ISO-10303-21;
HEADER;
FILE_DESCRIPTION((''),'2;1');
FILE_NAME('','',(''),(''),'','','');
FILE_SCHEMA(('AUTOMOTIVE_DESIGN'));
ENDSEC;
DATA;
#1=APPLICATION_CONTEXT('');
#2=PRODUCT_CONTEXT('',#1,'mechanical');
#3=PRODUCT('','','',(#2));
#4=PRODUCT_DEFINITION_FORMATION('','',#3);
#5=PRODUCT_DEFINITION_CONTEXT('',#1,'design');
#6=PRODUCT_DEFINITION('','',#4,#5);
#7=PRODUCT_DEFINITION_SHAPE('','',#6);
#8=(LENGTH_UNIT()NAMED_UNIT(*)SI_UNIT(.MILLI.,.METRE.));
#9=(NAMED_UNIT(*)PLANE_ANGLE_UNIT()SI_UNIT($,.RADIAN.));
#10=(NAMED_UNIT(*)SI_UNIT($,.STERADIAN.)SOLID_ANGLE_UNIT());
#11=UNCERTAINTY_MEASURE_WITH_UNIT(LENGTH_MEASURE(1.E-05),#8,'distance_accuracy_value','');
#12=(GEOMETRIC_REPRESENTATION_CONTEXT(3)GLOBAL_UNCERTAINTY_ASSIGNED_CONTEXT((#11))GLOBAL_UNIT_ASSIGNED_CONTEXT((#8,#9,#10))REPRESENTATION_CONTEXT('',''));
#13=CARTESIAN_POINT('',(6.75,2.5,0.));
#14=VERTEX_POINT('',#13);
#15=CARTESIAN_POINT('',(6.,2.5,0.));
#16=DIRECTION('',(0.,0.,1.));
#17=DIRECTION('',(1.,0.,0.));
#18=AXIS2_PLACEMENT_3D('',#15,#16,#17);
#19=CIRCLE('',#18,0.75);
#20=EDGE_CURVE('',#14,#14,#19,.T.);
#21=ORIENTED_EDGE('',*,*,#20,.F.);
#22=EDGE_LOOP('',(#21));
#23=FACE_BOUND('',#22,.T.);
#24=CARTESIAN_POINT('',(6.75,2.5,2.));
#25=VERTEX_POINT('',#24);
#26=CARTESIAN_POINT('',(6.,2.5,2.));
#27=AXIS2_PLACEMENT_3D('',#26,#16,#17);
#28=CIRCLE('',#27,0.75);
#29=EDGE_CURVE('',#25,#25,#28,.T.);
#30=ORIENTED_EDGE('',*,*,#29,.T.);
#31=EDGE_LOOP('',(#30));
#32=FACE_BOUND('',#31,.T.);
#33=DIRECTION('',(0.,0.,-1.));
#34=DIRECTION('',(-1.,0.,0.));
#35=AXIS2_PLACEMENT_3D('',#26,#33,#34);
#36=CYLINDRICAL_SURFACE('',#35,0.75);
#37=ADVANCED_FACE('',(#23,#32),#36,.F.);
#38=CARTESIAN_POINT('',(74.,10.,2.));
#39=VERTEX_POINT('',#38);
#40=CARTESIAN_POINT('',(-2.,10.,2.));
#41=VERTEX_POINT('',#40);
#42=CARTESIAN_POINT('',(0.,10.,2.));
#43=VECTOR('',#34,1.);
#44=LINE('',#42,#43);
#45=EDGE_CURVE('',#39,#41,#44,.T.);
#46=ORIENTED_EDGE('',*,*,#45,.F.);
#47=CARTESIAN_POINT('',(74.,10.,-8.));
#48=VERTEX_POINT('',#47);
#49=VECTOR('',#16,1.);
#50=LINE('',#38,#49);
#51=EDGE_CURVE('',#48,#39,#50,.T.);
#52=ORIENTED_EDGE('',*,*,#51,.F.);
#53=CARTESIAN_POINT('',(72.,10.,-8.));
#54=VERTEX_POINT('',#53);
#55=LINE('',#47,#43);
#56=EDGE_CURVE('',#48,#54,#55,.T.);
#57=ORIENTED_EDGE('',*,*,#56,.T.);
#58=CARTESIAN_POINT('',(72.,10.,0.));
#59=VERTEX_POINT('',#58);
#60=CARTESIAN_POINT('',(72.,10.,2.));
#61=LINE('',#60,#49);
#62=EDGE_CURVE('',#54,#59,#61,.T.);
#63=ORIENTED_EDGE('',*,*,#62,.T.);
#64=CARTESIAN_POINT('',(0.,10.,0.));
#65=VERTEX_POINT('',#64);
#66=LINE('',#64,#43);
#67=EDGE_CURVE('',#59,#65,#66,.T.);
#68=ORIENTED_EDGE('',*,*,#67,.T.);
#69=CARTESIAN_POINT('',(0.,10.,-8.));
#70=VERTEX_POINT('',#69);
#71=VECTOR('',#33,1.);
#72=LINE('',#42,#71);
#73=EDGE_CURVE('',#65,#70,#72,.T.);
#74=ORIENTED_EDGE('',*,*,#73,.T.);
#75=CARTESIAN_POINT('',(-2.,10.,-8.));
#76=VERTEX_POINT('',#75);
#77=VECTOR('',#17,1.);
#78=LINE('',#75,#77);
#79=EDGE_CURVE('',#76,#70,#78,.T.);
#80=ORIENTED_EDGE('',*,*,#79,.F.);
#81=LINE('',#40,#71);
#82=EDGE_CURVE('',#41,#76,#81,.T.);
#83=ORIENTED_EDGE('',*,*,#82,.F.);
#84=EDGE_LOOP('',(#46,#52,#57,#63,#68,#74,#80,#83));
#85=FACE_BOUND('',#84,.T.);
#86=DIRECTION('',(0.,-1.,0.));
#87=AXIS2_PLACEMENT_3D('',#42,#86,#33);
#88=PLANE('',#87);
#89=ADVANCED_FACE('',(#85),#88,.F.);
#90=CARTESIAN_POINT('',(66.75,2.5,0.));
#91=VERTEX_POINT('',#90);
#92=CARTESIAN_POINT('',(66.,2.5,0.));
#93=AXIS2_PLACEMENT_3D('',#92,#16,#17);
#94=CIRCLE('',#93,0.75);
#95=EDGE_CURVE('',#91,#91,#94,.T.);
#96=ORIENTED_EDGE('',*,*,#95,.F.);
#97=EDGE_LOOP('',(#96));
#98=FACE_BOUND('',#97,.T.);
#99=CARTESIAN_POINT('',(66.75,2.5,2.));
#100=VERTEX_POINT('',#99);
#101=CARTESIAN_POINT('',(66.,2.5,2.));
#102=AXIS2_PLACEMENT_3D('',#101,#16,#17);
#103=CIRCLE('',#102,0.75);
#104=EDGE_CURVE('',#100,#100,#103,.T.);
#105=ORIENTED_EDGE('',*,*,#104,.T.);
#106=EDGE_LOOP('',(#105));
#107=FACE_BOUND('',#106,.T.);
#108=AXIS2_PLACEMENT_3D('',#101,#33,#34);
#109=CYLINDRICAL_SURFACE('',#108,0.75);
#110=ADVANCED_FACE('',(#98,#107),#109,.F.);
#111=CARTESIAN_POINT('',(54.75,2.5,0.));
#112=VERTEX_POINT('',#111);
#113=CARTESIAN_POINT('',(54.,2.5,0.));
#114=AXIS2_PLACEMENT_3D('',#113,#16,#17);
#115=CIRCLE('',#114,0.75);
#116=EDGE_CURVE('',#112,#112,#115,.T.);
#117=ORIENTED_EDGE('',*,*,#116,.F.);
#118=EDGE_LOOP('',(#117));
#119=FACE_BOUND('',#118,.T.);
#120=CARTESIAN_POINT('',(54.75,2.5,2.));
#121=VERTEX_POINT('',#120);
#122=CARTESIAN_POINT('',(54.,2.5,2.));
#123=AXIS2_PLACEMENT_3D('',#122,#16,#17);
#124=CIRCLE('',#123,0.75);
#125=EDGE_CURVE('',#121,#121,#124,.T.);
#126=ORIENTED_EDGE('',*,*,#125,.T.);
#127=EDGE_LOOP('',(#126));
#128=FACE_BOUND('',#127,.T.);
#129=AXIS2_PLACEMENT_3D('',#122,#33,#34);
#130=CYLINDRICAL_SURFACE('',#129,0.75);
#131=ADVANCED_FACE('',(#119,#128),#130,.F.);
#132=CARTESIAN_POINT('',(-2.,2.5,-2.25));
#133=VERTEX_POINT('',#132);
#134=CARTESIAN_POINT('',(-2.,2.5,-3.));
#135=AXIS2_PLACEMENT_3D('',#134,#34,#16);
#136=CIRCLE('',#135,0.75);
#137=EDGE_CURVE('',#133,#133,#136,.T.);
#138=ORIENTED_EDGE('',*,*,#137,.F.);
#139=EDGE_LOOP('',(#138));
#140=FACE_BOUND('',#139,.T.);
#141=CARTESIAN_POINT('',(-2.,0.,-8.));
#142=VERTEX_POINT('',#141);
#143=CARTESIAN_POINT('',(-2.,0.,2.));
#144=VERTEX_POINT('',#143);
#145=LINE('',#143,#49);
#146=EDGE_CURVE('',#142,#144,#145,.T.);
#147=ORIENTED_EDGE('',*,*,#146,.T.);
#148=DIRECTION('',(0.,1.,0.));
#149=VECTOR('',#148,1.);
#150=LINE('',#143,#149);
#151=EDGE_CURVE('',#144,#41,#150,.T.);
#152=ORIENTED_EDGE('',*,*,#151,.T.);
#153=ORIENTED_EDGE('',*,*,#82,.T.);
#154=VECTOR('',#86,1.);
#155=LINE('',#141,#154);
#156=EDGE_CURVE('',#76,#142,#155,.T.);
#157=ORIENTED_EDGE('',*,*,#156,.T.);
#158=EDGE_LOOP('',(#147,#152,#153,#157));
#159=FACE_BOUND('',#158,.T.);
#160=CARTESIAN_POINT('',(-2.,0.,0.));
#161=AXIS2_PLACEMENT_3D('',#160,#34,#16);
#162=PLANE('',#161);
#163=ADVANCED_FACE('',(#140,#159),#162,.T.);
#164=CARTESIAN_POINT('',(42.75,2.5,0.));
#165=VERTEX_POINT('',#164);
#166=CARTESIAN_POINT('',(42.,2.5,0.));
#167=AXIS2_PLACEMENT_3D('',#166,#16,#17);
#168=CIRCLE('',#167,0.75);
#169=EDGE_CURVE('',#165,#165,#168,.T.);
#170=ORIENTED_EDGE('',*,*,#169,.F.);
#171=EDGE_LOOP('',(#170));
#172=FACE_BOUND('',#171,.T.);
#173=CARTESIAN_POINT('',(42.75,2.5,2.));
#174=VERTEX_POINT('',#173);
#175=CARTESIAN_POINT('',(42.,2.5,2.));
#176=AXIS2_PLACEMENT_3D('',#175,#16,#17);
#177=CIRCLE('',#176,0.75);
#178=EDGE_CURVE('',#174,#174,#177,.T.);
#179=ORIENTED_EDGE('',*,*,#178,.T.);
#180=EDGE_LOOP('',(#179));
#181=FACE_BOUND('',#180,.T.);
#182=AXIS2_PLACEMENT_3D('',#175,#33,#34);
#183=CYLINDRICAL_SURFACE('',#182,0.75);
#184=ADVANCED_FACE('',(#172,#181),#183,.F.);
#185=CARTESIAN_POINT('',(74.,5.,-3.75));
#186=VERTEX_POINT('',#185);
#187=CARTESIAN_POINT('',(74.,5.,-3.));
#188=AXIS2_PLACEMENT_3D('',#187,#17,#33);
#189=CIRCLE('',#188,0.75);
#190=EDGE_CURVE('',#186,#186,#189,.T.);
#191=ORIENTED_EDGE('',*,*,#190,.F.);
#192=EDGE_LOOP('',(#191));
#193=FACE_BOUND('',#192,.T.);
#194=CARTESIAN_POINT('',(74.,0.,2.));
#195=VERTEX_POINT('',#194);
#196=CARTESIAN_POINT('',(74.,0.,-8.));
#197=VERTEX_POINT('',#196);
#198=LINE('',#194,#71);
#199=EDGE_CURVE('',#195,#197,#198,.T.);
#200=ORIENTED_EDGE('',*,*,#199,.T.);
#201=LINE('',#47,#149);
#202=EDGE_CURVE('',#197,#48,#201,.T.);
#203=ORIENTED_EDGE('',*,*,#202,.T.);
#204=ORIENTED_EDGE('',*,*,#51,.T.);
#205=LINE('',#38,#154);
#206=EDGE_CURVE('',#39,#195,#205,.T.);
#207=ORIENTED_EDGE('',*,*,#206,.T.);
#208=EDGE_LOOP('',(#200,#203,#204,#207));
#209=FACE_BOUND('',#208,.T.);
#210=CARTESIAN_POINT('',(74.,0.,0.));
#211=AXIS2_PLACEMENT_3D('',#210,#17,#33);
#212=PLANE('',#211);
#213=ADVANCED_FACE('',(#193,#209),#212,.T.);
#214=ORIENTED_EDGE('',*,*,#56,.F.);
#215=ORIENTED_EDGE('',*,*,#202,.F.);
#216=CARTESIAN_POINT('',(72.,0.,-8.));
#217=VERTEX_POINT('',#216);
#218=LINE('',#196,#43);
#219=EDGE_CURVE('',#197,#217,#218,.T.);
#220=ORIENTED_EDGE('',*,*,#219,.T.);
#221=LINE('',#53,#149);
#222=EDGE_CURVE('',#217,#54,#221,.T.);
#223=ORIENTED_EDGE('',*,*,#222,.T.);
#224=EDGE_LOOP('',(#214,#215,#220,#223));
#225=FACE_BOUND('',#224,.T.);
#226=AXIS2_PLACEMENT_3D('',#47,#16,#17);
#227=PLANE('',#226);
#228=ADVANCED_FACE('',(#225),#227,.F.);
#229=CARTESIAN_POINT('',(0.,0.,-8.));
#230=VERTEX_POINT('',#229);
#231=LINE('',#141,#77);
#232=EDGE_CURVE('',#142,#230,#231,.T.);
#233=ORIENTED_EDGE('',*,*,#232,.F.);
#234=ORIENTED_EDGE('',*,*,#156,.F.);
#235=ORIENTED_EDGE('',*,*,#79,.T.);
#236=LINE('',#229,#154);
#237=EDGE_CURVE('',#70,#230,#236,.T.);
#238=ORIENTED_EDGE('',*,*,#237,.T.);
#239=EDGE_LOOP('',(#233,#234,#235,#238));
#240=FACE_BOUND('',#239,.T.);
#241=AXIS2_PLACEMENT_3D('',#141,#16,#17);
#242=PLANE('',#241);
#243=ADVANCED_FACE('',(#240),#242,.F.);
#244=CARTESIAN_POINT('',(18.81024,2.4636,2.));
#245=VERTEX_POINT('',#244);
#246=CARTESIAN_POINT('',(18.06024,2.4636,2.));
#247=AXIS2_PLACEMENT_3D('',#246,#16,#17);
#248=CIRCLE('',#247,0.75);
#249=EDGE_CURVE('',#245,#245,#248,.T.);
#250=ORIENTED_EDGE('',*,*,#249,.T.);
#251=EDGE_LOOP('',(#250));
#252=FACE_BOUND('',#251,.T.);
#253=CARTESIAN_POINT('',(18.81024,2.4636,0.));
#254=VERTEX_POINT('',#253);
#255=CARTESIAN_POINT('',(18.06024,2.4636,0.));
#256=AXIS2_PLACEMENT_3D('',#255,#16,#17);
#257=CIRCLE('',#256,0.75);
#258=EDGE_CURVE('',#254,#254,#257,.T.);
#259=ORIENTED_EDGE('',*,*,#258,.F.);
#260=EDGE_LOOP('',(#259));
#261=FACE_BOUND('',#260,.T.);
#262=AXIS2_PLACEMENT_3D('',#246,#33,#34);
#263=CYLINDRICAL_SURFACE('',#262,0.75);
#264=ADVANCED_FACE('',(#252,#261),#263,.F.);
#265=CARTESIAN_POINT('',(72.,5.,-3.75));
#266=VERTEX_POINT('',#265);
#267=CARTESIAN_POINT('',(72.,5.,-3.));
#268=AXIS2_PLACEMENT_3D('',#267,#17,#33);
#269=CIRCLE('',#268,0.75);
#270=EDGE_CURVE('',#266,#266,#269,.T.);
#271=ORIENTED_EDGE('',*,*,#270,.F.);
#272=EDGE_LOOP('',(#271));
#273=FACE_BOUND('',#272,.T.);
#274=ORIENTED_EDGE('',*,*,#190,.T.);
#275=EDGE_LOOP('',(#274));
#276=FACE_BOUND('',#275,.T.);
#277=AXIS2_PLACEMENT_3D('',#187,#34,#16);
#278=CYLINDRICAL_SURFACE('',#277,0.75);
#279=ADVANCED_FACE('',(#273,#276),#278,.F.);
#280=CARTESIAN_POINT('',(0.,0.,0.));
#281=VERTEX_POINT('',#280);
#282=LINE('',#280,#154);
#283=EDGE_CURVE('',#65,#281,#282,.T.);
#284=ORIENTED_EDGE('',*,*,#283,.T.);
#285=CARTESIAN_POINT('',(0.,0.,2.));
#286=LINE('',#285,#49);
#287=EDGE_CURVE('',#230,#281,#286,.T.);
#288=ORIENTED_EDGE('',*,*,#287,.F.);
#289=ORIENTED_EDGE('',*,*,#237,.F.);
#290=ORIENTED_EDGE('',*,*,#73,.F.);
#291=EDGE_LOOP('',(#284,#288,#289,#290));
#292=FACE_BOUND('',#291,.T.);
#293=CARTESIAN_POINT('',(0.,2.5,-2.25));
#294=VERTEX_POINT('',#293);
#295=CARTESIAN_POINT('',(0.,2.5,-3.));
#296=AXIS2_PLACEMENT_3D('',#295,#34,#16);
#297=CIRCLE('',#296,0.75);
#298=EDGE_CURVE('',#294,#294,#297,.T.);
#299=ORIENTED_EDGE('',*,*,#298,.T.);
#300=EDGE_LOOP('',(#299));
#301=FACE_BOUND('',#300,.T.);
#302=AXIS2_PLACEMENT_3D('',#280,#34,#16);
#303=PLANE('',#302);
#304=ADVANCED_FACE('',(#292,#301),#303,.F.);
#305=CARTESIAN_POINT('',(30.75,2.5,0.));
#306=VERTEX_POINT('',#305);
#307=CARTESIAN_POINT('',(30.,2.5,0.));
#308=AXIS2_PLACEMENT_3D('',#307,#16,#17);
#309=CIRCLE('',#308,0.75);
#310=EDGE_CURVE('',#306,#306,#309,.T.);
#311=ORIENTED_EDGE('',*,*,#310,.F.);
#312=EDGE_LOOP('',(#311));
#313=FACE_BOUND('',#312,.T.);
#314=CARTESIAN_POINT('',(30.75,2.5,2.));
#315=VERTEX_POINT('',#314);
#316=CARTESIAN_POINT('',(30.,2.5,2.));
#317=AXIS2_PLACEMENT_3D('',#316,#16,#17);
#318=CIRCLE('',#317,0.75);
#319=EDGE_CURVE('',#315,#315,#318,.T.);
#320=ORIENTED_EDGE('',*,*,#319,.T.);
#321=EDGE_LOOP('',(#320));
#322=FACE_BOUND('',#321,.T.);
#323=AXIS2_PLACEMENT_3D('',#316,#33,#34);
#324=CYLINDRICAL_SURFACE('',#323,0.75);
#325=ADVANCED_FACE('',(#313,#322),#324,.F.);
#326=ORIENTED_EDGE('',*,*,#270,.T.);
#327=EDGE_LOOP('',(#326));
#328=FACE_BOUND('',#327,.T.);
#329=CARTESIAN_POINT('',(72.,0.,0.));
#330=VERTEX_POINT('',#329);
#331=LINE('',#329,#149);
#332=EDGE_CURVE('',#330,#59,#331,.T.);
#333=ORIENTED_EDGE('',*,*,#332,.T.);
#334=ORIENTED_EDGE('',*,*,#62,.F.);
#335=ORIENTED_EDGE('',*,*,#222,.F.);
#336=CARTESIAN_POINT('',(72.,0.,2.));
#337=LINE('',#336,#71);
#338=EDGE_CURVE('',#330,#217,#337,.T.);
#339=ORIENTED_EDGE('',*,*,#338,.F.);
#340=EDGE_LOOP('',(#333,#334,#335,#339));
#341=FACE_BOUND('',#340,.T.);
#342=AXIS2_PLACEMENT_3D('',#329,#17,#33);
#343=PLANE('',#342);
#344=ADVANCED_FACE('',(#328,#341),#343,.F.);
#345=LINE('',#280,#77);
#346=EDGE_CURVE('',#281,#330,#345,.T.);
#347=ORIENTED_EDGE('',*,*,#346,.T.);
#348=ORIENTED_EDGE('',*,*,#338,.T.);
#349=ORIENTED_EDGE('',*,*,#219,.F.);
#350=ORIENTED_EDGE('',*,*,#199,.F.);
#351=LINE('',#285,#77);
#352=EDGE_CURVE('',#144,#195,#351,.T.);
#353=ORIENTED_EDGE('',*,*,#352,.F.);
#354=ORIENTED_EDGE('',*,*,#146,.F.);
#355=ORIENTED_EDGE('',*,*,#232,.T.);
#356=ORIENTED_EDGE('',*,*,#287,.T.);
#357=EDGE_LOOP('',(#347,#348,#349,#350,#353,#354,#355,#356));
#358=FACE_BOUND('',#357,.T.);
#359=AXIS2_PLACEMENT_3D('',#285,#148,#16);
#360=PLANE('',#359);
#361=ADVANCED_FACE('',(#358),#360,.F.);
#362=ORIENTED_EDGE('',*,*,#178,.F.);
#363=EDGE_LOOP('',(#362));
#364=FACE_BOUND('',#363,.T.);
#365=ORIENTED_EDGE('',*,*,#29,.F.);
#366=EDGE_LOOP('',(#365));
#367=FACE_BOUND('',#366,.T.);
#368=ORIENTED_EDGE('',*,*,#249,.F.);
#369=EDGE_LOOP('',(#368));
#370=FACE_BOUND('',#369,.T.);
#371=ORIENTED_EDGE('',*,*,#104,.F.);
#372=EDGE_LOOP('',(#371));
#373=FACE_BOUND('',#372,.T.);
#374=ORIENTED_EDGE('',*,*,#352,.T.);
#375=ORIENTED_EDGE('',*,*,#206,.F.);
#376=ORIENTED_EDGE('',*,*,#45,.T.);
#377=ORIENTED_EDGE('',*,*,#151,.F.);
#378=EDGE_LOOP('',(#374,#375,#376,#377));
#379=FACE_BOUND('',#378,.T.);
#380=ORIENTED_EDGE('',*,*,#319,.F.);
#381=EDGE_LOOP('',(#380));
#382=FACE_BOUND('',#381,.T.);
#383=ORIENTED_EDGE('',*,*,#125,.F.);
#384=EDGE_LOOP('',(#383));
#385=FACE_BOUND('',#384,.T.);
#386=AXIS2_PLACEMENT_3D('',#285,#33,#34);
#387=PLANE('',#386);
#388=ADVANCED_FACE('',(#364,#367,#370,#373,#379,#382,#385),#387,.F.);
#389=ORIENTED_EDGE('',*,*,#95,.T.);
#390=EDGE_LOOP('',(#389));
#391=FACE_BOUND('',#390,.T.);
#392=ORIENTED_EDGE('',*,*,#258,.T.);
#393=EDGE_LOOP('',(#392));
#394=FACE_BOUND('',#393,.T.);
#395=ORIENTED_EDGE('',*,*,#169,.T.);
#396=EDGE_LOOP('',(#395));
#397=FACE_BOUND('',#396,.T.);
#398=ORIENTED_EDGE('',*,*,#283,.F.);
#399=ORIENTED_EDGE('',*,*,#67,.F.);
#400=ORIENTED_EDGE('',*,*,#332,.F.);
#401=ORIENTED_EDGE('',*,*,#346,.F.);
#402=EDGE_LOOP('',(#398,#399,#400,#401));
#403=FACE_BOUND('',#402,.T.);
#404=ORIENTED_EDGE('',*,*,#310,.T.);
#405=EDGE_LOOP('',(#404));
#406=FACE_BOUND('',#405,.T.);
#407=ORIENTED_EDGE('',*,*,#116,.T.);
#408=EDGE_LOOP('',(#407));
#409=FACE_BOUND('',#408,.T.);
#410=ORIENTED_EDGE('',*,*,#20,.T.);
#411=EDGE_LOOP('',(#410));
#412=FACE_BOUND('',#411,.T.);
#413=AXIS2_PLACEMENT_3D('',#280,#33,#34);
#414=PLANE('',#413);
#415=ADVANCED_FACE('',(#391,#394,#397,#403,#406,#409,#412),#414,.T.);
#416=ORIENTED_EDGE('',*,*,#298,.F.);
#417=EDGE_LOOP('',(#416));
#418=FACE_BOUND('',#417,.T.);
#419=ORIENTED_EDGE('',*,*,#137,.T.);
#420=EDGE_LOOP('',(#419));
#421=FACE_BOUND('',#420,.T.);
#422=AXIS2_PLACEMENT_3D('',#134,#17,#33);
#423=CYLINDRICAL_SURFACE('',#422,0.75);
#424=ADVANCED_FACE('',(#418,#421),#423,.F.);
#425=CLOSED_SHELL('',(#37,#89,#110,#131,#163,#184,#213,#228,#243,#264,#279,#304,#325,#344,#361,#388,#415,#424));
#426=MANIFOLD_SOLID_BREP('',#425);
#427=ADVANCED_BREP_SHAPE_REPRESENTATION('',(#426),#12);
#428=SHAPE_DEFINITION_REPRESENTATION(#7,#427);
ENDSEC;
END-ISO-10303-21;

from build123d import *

# Parameters (mm, degrees)
SKETCH1_W           = 72
SKETCH1_H           = 10
BOSS_EXTRUDE1_DEPTH = 2
SKETCH3_R           = 0.75
CUT_EXTRUDE2_DEPTH  = 2
SKETCH4_W           = 10
SKETCH4_H           = 10
BOSS_EXTRUDE2_DEPTH = 2
SKETCH5_R           = 0.75
CUT_EXTRUDE4_DEPTH  = 2
SKETCH6_W           = 10
SKETCH6_H           = 10
BOSS_EXTRUDE3_DEPTH = 2
SKETCH7_R           = 0.75
CUT_EXTRUDE5_DEPTH  = 2


with BuildPart() as part:
    # Sketch1 → Boss-Extrude1 (new body)
    with BuildSketch(Plane.XY):
        with Locations((36, 5)):
            Rectangle(SKETCH1_W, SKETCH1_H)
    extrude(amount=BOSS_EXTRUDE1_DEPTH)

    # Sketch3 → Cut-Extrude2 (cut)
    with BuildSketch(Plane.XY):
        with Locations((42, 2.5)):
            Circle(SKETCH3_R)
        with Locations((54, 2.5)):
            Circle(SKETCH3_R)
        with Locations((66, 2.5)):
            Circle(SKETCH3_R)
        with Locations((30, 2.5)):
            Circle(SKETCH3_R)
        with Locations((18.06024044, 2.463599586)):
            Circle(SKETCH3_R)
        with Locations((6, 2.5)):
            Circle(SKETCH3_R)
    extrude(amount=CUT_EXTRUDE2_DEPTH, mode=Mode.SUBTRACT)

    # Sketch4 → Boss-Extrude2 (add)
    with BuildSketch(Plane(origin=(72, 0, 0), x_dir=(0, 0, -1), z_dir=(1, 0, 0))):
        with Locations((3, 5)):
            Rectangle(SKETCH4_W, SKETCH4_H)
    extrude(amount=BOSS_EXTRUDE2_DEPTH)

    # Sketch5 → Cut-Extrude4 (cut)
    with BuildSketch(Plane(origin=(72, 0, 0), x_dir=(0, 0, -1), z_dir=(1, 0, 0))):
        with Locations((3, 5)):
            Circle(SKETCH5_R)
    extrude(amount=CUT_EXTRUDE4_DEPTH, mode=Mode.SUBTRACT)

    # Sketch6 → Boss-Extrude3 (add)
    with BuildSketch(Plane.ZY):
        with Locations((-3, 5)):
            Rectangle(SKETCH6_W, SKETCH6_H)
    extrude(amount=BOSS_EXTRUDE3_DEPTH)

    # Sketch7 → Cut-Extrude5 (cut)
    with BuildSketch(Plane.ZY):
        with Locations((-3, 2.5)):
            Circle(SKETCH7_R)
    extrude(amount=CUT_EXTRUDE5_DEPTH, mode=Mode.SUBTRACT)


solid = part.part
